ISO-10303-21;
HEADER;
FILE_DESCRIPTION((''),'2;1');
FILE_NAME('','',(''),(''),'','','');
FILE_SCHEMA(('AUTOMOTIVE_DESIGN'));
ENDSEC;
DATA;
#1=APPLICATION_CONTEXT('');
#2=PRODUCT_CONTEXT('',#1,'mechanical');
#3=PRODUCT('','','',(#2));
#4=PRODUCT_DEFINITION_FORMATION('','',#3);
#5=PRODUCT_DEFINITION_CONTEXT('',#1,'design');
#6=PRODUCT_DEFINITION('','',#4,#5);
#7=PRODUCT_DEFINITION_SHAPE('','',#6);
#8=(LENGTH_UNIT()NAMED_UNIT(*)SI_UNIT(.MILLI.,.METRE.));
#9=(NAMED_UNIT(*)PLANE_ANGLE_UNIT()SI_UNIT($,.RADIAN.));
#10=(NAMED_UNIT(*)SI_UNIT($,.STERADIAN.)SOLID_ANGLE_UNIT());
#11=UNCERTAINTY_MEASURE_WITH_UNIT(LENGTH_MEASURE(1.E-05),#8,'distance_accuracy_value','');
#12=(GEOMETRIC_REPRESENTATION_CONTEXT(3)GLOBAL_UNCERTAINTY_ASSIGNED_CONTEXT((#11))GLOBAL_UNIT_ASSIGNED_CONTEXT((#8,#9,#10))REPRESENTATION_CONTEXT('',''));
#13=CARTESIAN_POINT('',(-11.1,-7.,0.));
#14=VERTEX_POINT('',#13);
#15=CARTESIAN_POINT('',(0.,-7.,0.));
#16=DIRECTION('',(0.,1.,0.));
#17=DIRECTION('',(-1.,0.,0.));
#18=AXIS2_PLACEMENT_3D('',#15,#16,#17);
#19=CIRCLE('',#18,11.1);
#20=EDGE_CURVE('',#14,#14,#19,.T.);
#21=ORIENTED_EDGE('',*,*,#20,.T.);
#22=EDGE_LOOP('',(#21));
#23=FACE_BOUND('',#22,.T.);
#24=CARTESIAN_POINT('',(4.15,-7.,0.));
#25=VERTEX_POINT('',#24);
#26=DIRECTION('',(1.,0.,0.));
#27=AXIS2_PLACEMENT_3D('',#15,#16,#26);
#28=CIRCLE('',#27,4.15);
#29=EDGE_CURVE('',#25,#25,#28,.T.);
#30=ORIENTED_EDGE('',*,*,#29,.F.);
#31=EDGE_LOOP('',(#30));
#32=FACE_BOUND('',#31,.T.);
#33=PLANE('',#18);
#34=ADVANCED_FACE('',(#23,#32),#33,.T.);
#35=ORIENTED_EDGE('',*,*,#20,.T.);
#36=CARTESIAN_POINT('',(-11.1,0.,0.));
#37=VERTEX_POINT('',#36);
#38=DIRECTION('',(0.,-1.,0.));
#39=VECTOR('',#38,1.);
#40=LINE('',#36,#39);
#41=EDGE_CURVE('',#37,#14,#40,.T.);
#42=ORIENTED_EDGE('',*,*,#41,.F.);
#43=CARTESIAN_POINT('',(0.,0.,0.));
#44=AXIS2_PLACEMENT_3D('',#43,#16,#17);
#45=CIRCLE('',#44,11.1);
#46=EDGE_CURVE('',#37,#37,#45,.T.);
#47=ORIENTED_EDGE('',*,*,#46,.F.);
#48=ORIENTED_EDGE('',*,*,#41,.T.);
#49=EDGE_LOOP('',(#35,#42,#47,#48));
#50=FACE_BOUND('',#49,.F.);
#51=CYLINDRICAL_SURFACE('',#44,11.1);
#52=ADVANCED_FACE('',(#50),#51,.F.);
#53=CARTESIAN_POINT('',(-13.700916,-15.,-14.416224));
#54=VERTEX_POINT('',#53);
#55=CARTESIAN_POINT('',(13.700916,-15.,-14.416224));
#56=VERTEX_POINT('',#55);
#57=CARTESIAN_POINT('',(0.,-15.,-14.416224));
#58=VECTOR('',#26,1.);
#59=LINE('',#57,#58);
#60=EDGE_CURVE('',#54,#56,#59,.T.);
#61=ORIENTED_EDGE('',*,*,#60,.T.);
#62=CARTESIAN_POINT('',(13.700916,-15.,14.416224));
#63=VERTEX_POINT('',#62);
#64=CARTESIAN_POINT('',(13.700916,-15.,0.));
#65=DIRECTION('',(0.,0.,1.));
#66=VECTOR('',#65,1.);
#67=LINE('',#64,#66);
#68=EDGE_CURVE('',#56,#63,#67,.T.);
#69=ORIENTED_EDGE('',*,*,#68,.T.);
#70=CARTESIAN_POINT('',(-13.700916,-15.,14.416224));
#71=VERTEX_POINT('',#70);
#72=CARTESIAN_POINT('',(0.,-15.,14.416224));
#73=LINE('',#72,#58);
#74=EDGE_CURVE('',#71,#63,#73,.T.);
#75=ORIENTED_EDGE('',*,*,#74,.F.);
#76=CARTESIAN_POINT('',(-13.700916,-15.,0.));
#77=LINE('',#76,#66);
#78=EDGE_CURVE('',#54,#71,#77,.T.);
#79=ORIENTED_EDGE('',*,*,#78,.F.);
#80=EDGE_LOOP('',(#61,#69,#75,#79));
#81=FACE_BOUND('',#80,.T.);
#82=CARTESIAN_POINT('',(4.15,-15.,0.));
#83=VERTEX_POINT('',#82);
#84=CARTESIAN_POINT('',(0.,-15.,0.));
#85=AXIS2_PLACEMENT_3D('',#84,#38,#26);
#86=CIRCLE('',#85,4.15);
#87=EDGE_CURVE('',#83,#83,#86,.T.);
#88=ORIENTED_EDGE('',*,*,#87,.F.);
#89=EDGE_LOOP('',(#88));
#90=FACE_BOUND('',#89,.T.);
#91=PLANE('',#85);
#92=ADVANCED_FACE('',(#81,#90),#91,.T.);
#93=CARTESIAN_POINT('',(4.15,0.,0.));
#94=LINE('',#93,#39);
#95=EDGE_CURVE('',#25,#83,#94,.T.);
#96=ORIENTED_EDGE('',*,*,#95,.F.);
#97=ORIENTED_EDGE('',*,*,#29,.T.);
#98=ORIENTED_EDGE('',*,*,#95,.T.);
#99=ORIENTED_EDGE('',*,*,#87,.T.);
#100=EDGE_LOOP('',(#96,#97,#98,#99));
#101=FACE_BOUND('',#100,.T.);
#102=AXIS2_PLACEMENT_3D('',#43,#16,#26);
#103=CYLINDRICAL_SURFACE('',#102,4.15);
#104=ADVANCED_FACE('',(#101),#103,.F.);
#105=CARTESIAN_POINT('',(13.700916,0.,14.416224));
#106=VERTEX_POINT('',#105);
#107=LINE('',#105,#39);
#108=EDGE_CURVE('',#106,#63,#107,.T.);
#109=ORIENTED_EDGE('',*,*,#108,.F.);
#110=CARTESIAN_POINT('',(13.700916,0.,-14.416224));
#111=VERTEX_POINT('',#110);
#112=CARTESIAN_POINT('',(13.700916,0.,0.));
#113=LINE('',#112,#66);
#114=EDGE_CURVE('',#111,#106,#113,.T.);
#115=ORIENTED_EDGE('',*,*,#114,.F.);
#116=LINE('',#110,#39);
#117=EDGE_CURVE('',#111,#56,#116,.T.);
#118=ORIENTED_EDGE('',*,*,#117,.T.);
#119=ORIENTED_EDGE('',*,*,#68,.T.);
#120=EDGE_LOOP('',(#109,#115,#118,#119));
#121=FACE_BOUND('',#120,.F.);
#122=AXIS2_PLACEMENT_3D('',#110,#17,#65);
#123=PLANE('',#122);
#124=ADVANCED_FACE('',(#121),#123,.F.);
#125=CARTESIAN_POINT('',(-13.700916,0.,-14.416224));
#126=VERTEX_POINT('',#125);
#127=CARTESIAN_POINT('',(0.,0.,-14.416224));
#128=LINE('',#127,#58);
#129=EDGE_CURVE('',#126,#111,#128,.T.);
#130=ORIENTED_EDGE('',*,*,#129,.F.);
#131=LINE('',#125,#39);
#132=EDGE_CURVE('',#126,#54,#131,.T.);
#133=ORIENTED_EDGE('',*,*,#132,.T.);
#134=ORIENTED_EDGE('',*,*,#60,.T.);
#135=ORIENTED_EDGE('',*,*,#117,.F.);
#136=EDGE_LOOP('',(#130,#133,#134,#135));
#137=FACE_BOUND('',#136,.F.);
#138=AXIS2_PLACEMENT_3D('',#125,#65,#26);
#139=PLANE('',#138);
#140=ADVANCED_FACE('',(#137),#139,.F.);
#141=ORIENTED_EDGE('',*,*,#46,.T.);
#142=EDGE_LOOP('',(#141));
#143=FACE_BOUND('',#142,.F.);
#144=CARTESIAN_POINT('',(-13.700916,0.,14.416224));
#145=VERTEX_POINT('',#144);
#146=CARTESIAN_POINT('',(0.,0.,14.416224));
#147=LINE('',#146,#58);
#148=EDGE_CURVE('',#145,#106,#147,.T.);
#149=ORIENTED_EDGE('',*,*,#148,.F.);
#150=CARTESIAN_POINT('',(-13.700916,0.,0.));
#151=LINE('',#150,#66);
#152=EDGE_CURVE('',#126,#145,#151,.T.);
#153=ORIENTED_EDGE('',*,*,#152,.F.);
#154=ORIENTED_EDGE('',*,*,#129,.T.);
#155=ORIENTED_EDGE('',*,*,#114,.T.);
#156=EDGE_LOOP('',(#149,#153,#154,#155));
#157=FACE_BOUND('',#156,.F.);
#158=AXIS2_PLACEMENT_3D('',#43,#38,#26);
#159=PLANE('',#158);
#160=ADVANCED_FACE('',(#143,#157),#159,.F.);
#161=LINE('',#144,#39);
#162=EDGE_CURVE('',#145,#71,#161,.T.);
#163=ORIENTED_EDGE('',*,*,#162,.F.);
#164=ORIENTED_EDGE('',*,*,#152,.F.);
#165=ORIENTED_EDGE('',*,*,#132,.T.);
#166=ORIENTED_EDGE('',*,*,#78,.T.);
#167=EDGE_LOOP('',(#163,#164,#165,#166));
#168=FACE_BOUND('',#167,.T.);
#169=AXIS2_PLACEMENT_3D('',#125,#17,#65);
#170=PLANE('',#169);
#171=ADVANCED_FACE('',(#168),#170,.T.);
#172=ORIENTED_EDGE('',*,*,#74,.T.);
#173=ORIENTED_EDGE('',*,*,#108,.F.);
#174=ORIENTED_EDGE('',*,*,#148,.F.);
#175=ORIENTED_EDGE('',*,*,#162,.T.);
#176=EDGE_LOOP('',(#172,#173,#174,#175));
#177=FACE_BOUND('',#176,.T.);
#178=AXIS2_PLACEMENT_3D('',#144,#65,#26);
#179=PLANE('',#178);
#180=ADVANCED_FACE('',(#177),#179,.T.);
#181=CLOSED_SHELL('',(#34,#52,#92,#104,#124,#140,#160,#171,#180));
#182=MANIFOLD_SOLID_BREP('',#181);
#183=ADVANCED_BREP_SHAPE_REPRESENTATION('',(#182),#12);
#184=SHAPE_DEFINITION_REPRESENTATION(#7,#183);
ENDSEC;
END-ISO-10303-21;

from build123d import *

# Parameters (mm, degrees)
F0_W     = 27.401832
F0_H     = 28.832448
F0_R     = 11.1
F0_R_2   = 4.15
F1_DEPTH = 15
F2_R     = 11.1
F2_R_2   = 4.15
F3_DEPTH = 7


with BuildPart() as f1:
    # F0 (on Front) → F1 (new body)
    with BuildSketch(Plane.XZ):
        Rectangle(F0_W, F0_H)
        Circle(F0_R, mode=Mode.SUBTRACT)
        Circle(F0_R)
        Circle(F0_R_2, mode=Mode.SUBTRACT)
    extrude(amount=F1_DEPTH)

    # F2 (on face) → F3 (cut)
    with BuildSketch(Plane(origin=(0, 0, 0), x_dir=(-1, 0, 0), z_dir=(0, 1, 0))):
        Circle(F2_R)
        Circle(F2_R_2, mode=Mode.SUBTRACT)
    extrude(amount=-F3_DEPTH, mode=Mode.SUBTRACT)


solid = f1.part
